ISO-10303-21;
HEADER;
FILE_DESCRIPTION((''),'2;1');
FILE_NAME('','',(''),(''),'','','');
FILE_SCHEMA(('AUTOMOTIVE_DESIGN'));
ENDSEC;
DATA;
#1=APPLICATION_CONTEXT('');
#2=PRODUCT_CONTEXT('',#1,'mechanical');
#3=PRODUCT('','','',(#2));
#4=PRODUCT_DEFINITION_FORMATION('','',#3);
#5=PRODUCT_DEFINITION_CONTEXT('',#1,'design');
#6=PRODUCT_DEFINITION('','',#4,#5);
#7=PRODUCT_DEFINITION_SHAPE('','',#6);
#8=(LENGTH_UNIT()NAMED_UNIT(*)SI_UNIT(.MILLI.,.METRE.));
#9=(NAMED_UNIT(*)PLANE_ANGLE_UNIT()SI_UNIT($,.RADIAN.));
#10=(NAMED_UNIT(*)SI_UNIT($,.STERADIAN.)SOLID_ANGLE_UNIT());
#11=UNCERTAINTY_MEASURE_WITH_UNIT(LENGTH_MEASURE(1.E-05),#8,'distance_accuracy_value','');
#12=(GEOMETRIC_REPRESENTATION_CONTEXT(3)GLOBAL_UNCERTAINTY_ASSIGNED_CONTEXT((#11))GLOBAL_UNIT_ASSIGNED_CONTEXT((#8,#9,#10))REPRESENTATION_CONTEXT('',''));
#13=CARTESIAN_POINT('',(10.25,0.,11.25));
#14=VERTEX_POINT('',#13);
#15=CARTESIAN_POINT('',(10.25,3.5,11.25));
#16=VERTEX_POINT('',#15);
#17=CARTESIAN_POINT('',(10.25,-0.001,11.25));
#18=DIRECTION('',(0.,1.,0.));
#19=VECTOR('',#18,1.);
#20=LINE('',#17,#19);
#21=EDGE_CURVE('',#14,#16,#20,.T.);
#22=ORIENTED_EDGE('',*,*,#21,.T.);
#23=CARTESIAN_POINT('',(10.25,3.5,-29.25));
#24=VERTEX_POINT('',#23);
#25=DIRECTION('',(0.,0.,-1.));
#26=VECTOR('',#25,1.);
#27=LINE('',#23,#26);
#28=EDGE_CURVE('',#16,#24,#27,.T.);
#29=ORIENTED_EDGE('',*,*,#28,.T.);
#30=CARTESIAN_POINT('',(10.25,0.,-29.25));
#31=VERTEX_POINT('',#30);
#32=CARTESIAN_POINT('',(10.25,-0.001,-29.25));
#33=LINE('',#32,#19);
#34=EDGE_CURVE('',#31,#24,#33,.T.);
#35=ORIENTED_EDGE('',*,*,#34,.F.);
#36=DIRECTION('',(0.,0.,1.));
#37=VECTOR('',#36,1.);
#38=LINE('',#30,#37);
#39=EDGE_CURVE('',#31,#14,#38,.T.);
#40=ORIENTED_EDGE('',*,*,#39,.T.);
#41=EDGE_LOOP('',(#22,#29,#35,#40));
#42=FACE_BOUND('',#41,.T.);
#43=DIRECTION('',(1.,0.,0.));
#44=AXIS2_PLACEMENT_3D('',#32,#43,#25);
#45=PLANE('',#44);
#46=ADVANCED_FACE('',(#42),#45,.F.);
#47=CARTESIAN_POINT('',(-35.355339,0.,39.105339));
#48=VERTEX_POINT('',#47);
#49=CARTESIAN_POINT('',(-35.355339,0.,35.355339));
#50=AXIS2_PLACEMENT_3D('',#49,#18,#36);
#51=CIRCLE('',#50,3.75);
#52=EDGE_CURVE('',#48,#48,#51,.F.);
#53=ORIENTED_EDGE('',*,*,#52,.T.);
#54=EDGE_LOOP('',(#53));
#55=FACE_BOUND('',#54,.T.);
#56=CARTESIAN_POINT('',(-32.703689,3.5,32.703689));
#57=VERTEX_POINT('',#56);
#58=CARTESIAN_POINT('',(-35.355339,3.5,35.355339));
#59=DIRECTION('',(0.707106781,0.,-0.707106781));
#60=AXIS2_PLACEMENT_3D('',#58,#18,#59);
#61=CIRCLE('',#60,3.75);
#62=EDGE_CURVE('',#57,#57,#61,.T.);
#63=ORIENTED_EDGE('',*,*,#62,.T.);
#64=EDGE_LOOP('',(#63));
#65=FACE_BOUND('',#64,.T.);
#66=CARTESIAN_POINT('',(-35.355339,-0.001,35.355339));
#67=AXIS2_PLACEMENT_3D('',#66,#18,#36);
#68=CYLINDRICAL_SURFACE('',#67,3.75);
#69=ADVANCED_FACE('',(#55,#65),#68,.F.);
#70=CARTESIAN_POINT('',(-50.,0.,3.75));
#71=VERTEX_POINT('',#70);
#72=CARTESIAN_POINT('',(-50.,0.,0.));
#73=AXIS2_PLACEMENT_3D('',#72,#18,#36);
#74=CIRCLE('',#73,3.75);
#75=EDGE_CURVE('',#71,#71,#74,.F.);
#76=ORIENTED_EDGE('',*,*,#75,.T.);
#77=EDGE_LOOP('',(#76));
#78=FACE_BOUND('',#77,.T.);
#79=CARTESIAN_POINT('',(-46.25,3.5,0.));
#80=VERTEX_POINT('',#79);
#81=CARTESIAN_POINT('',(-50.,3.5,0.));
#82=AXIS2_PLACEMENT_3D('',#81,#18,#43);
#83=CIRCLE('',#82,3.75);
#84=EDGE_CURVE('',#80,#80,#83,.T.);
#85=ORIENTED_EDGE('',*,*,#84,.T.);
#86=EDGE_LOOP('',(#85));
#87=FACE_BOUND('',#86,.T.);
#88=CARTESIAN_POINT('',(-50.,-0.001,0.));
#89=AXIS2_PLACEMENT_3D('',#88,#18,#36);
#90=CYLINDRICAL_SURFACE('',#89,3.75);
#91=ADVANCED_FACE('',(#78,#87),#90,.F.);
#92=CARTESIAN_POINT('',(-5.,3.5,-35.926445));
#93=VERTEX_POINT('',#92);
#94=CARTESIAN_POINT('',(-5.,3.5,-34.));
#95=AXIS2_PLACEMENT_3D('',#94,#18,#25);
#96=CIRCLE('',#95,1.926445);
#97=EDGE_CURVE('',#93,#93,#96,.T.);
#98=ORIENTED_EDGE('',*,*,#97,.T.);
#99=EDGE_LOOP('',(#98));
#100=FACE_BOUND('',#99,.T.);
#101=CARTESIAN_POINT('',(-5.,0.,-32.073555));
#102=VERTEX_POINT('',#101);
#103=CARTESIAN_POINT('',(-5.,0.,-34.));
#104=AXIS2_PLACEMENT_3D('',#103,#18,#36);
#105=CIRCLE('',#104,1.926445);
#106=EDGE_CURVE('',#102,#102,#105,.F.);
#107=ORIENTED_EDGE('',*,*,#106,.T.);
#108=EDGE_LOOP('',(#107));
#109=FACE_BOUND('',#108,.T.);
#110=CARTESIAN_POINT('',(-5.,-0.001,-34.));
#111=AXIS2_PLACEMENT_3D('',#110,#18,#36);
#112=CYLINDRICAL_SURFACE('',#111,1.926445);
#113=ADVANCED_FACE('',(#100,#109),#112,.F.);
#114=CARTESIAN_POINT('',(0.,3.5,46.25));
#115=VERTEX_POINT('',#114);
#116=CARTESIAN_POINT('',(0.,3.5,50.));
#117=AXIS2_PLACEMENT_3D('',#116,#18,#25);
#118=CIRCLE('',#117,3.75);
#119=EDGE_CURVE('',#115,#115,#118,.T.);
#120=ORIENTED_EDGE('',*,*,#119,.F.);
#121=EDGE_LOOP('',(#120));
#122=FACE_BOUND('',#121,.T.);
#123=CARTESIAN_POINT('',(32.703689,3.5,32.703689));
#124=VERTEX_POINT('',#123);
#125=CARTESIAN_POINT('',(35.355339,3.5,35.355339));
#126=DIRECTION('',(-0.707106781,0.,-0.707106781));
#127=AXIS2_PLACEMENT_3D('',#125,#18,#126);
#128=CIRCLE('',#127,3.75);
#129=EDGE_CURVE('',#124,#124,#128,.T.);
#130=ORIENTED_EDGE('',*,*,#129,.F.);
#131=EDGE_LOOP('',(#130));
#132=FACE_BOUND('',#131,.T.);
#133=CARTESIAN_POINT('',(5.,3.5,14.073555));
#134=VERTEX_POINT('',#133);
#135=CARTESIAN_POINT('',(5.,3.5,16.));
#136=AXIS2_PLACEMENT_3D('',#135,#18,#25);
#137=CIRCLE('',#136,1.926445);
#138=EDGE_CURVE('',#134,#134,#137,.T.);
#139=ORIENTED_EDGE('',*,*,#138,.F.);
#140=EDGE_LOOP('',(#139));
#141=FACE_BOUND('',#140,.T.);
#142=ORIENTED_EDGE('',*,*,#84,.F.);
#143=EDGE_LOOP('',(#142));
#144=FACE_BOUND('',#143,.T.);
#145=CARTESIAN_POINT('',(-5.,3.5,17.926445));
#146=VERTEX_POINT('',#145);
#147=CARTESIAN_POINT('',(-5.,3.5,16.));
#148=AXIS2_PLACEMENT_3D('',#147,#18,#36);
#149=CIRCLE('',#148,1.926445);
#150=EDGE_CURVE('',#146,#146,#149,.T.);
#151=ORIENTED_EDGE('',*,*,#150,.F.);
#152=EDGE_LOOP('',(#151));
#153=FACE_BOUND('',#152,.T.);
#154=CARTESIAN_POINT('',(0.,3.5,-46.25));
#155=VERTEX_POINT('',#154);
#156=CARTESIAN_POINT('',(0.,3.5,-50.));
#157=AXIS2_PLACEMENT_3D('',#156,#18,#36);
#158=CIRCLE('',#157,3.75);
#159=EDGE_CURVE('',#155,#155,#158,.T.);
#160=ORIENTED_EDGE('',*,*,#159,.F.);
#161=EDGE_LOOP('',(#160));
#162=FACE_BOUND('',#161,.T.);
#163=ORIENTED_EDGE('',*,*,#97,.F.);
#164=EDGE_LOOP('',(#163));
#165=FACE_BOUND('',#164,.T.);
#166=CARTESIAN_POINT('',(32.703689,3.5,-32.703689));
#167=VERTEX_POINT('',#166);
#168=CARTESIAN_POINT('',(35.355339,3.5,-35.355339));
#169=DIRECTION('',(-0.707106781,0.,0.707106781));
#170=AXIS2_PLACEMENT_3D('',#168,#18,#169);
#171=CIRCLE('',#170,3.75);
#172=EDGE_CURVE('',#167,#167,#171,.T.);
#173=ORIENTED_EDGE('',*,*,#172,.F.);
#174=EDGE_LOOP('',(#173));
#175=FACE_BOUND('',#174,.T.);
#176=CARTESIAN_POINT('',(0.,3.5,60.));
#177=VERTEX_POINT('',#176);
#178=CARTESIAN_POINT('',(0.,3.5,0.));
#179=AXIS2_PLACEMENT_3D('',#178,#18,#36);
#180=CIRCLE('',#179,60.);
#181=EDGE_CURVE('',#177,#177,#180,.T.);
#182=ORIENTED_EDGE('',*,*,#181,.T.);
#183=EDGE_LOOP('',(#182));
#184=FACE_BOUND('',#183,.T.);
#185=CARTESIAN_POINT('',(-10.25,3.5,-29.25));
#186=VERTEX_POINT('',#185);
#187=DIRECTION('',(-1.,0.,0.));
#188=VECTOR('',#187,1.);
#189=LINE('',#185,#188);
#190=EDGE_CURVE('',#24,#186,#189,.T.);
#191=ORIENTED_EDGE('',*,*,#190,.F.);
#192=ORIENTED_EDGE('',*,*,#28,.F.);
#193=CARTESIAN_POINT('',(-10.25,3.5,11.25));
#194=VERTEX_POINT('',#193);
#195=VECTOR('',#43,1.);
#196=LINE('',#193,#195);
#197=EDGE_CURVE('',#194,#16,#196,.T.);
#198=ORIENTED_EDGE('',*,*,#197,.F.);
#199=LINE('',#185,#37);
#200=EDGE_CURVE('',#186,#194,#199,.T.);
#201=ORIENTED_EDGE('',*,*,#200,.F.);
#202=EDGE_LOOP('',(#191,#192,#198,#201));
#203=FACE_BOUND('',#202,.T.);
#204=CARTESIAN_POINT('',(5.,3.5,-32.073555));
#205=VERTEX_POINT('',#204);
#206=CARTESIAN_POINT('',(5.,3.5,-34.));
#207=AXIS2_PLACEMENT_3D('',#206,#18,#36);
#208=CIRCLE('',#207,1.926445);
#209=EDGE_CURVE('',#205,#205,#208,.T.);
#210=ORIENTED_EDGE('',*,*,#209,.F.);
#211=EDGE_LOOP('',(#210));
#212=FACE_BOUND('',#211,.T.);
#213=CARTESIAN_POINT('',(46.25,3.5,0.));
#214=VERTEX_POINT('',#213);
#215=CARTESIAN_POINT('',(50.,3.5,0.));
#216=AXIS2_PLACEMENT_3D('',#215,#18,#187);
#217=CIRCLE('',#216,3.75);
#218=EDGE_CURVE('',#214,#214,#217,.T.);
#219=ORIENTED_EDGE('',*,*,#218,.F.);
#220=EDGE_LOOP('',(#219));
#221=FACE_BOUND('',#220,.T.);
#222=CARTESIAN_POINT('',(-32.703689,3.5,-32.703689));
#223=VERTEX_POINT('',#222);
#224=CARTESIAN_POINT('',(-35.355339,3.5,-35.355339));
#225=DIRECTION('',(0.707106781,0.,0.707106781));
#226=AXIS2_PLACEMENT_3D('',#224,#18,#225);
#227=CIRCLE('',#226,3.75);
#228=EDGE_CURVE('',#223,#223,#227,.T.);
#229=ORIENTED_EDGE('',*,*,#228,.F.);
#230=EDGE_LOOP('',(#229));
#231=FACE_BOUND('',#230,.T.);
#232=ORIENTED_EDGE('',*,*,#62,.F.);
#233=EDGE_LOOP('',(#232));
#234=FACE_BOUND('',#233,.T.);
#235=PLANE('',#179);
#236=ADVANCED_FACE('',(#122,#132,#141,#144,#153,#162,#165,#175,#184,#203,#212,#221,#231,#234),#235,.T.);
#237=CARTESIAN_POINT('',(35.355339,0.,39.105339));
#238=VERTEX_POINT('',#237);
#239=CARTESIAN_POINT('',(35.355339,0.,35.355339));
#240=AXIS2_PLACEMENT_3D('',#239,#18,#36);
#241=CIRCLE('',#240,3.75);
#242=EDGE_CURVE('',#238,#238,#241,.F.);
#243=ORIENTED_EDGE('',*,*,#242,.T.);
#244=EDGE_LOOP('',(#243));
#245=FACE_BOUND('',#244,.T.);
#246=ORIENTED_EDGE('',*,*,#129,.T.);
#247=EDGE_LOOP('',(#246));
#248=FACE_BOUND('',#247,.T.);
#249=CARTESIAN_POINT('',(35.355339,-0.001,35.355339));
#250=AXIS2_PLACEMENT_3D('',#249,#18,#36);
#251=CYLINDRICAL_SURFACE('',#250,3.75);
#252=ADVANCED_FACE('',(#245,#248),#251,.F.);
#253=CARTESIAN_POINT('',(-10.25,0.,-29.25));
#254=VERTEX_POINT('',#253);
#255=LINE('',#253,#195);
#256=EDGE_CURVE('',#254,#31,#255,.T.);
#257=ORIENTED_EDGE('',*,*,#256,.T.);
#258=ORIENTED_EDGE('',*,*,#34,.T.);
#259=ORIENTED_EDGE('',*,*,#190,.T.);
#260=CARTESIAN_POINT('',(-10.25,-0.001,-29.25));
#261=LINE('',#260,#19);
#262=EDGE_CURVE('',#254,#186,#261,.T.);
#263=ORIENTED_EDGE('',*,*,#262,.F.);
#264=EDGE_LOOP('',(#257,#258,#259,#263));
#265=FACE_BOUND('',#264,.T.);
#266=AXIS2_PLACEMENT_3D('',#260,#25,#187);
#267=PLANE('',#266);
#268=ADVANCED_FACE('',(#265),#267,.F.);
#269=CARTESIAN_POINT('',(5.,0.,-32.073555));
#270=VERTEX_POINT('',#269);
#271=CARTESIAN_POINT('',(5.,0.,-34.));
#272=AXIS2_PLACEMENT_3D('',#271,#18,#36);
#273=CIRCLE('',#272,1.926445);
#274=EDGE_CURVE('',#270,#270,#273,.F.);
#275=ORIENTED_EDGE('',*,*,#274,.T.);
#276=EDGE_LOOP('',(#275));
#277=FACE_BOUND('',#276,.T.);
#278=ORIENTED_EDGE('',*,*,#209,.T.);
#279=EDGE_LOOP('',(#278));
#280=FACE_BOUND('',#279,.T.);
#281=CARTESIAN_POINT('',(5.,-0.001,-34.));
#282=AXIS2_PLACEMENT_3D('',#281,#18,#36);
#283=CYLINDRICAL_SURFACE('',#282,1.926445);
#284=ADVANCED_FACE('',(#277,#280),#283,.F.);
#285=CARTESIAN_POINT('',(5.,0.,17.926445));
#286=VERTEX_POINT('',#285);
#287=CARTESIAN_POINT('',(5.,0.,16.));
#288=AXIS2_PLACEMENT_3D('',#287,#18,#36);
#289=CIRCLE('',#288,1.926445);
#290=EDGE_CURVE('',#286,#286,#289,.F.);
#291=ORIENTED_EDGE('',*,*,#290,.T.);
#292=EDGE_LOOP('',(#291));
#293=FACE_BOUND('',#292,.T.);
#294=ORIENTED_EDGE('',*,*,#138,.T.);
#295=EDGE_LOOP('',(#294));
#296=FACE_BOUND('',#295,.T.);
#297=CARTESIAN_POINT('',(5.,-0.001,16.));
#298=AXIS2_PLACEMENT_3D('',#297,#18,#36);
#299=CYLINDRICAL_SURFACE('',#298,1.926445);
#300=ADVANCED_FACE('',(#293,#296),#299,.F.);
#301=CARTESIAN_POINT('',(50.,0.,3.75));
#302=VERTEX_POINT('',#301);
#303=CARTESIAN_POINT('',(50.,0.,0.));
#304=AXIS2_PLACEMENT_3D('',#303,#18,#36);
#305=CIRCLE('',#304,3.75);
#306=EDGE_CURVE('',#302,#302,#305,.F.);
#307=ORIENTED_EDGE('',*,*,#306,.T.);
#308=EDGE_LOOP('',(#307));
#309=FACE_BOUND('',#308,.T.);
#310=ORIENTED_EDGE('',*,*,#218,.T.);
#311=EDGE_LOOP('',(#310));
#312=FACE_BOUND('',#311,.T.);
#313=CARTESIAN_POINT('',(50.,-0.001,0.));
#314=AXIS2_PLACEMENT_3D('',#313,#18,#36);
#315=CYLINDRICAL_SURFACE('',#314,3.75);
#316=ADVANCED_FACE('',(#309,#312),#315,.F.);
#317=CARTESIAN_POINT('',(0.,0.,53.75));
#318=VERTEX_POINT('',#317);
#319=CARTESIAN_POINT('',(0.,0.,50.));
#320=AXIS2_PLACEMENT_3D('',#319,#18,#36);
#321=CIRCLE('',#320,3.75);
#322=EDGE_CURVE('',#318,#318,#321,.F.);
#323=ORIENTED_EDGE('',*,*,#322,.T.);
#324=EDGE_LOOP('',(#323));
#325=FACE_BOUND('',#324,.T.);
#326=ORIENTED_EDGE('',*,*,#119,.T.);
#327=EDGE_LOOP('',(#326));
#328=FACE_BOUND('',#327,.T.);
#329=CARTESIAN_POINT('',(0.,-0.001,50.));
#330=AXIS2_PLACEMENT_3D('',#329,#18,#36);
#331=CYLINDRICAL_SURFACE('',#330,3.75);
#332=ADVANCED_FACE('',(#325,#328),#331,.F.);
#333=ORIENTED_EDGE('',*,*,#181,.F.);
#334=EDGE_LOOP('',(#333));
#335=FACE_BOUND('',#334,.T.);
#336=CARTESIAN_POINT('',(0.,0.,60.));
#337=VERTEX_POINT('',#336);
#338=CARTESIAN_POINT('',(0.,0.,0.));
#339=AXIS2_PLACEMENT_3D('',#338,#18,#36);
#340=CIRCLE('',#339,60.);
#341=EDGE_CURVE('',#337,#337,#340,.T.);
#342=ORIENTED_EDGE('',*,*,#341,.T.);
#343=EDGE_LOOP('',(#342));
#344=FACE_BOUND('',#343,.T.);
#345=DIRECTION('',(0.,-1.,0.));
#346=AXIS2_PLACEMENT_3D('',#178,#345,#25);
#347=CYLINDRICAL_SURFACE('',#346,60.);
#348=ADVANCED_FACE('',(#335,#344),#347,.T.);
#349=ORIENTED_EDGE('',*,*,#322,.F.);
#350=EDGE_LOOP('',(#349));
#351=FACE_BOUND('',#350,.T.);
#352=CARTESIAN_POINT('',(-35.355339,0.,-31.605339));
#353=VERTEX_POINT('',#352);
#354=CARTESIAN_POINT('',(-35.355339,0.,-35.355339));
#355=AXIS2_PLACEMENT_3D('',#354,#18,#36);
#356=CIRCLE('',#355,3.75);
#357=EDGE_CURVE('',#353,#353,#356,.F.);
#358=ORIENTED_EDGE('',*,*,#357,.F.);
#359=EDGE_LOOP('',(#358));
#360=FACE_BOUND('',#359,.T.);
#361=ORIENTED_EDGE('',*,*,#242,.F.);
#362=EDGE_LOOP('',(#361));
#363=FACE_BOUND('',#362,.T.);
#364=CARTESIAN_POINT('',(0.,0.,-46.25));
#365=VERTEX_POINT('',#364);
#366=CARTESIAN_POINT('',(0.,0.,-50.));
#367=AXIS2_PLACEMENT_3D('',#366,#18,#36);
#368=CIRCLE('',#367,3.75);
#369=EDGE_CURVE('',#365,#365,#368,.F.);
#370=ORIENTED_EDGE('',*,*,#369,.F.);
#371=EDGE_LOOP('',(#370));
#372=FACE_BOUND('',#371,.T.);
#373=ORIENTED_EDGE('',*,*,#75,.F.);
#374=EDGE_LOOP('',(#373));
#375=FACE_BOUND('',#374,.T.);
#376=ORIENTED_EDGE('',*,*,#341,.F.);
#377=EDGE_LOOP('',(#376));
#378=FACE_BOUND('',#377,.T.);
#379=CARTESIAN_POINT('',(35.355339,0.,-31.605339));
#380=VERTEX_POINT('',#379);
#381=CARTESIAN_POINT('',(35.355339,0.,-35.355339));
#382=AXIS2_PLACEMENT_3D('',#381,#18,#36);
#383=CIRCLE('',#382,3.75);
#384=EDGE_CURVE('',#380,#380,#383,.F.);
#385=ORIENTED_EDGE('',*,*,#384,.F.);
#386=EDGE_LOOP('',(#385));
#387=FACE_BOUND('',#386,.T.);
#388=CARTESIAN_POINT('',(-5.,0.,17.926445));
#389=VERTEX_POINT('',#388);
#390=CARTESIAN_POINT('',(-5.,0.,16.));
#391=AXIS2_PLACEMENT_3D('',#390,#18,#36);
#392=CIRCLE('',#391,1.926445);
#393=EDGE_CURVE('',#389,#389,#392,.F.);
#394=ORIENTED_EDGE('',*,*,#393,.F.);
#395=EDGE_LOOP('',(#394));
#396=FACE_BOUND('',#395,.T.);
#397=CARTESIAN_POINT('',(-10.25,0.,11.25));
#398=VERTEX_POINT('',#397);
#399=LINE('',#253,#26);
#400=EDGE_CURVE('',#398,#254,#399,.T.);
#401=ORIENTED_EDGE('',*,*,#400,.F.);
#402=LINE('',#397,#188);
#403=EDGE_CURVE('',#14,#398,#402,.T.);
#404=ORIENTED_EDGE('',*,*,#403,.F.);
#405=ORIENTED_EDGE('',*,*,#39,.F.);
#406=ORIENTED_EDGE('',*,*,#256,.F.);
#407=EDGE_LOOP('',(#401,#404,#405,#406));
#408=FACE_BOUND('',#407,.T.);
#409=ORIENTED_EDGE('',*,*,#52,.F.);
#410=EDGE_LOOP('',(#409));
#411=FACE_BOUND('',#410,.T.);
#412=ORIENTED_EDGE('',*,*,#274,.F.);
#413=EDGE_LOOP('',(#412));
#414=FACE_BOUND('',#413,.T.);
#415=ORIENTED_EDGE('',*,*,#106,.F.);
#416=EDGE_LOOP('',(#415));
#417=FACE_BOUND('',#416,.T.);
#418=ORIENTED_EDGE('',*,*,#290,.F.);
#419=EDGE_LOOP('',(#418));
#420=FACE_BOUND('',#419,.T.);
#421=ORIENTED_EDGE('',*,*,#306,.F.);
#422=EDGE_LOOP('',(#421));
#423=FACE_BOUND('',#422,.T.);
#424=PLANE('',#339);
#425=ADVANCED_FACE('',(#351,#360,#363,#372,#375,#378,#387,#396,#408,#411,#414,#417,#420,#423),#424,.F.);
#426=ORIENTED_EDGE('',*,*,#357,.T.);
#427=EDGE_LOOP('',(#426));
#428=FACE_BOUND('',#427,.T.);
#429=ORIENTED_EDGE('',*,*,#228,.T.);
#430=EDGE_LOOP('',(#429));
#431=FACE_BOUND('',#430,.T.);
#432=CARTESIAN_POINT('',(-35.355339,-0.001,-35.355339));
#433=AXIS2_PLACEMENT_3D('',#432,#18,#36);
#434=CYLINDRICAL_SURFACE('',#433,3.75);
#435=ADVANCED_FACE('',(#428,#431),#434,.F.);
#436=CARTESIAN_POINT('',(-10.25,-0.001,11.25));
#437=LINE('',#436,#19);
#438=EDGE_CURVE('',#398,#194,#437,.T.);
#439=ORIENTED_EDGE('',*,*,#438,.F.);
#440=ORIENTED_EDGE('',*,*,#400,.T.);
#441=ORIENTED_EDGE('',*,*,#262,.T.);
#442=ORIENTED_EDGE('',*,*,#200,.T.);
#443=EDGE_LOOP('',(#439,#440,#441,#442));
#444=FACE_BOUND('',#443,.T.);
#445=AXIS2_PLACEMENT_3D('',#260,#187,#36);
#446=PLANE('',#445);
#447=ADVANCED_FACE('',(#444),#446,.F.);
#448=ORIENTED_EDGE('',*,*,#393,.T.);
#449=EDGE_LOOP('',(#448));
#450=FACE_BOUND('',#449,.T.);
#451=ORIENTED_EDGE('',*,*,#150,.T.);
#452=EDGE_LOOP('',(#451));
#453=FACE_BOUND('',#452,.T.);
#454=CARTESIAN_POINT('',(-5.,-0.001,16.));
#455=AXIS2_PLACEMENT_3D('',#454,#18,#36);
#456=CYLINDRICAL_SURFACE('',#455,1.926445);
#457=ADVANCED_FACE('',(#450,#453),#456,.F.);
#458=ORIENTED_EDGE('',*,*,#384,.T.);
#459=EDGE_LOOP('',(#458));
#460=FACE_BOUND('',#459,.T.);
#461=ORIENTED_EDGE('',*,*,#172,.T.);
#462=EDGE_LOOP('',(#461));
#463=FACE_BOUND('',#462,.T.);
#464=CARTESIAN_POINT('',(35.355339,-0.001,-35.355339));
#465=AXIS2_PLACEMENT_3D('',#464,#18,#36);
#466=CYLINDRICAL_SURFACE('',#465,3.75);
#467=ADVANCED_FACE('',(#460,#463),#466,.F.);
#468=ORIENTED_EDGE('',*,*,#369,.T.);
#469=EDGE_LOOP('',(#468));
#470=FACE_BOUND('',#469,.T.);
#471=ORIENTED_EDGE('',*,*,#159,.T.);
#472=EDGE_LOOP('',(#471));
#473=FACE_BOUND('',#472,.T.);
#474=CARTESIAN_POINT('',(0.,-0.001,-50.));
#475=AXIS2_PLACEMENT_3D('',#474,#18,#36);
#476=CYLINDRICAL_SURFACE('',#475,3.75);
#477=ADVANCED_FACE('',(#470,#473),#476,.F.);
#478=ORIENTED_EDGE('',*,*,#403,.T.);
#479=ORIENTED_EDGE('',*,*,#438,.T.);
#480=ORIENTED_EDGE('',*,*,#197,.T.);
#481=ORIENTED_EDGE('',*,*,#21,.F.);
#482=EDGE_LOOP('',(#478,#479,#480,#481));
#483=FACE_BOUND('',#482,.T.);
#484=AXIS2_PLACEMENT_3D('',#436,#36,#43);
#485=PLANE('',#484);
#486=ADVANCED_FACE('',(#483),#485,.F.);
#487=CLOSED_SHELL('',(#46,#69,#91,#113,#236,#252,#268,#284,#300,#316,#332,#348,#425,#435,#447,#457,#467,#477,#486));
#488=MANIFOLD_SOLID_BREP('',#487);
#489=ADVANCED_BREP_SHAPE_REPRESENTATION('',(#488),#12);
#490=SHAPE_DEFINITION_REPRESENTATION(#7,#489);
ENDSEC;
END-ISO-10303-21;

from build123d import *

# Parameters (mm, degrees)
CROQUIS1_R              = 60
SALIENTE_EXTRUIR1_DEPTH = 3.5
CROQUIS2_R              = 3.75
CORTAR_EXTRUIR1_DEPTH   = 3.5
MATRIZC1_COUNT          = 8
CORTAR_EXTRUIR3_REACH   = 5.5
CROQUIS4_R              = 1.92644479
CORTAR_EXTRUIR4_REACH   = 5.5
CROQUIS5_W              = 20.5
CROQUIS5_H              = 40.5


with BuildPart() as part:
    # Croquis1 → Saliente-Extruir1 (new body)
    with BuildSketch(Plane(origin=(0, 0, 0), x_dir=(1, 0, 0), z_dir=(0, 1, 0))):
        Circle(CROQUIS1_R)
    extrude(amount=SALIENTE_EXTRUIR1_DEPTH)

    # Croquis2 → Cortar-Extruir1 (cut)
    with BuildSketch(Plane(origin=(0, 3.5, 0), x_dir=(1, 0, 0), z_dir=(0, 1, 0))):
        with Locations((0, 50)):
            Circle(CROQUIS2_R)
    cortar_extruir1 = extrude(amount=-CORTAR_EXTRUIR1_DEPTH, mode=Mode.SUBTRACT)

    # MatrizC1: Cortar-Extruir1 ×8 about axis
    matrizc1_axis = Axis((0, 0, 0), (0, 1, 0))
    for i in range(1, MATRIZC1_COUNT):
        add(cortar_extruir1.rotate(matrizc1_axis, i * 360 / MATRIZC1_COUNT), mode=Mode.SUBTRACT)

    # Croquis4 → Cortar-Extruir3 (cut, up to next)
    with BuildSketch(Plane(origin=(0, 3.5, 0), x_dir=(1, 0, 0), z_dir=(0, 1, 0)), mode=Mode.PRIVATE) as cortar_extruir3_sk1:
        with Locations((5, 34)):
            Circle(CROQUIS4_R)
    cortar_extruir3_tool1 = extrude(cortar_extruir3_sk1.sketch, amount=-CORTAR_EXTRUIR3_REACH, mode=Mode.PRIVATE) & part.part
    add(cortar_extruir3_tool1.solids().sort_by_distance((5, 3.5, -34))[0], mode=Mode.SUBTRACT)
    # Croquis4 → Cortar-Extruir3 (cut, up to next)
    with BuildSketch(Plane(origin=(0, 3.5, 0), x_dir=(1, 0, 0), z_dir=(0, 1, 0)), mode=Mode.PRIVATE) as cortar_extruir3_sk2:
        with Locations((5, -16)):
            Circle(CROQUIS4_R)
    cortar_extruir3_tool2 = extrude(cortar_extruir3_sk2.sketch, amount=-CORTAR_EXTRUIR3_REACH, mode=Mode.PRIVATE) & part.part
    add(cortar_extruir3_tool2.solids().sort_by_distance((5, 3.5, 16))[0], mode=Mode.SUBTRACT)
    # Croquis4 → Cortar-Extruir3 (cut, up to next)
    with BuildSketch(Plane(origin=(0, 3.5, 0), x_dir=(1, 0, 0), z_dir=(0, 1, 0)), mode=Mode.PRIVATE) as cortar_extruir3_sk3:
        with Locations((-5, 34)):
            Circle(CROQUIS4_R)
    cortar_extruir3_tool3 = extrude(cortar_extruir3_sk3.sketch, amount=-CORTAR_EXTRUIR3_REACH, mode=Mode.PRIVATE) & part.part
    add(cortar_extruir3_tool3.solids().sort_by_distance((-5, 3.5, -34))[0], mode=Mode.SUBTRACT)
    # Croquis4 → Cortar-Extruir3 (cut, up to next)
    with BuildSketch(Plane(origin=(0, 3.5, 0), x_dir=(1, 0, 0), z_dir=(0, 1, 0)), mode=Mode.PRIVATE) as cortar_extruir3_sk4:
        with Locations((-5, -16)):
            Circle(CROQUIS4_R)
    cortar_extruir3_tool4 = extrude(cortar_extruir3_sk4.sketch, amount=-CORTAR_EXTRUIR3_REACH, mode=Mode.PRIVATE) & part.part
    add(cortar_extruir3_tool4.solids().sort_by_distance((-5, 3.5, 16))[0], mode=Mode.SUBTRACT)

    # Croquis5 → Cortar-Extruir4 (cut, up to next)
    with BuildSketch(Plane(origin=(0, 3.5, 0), x_dir=(1, 0, 0), z_dir=(0, 1, 0)), mode=Mode.PRIVATE) as cortar_extruir4_sk1:
        with Locations((0, 9)):
            Rectangle(CROQUIS5_W, CROQUIS5_H)
    cortar_extruir4_tool1 = extrude(cortar_extruir4_sk1.sketch, amount=-CORTAR_EXTRUIR4_REACH, mode=Mode.PRIVATE) & part.part
    add(cortar_extruir4_tool1.solids().sort_by_distance((0, 3.5, -9))[0], mode=Mode.SUBTRACT)


solid = part.part
